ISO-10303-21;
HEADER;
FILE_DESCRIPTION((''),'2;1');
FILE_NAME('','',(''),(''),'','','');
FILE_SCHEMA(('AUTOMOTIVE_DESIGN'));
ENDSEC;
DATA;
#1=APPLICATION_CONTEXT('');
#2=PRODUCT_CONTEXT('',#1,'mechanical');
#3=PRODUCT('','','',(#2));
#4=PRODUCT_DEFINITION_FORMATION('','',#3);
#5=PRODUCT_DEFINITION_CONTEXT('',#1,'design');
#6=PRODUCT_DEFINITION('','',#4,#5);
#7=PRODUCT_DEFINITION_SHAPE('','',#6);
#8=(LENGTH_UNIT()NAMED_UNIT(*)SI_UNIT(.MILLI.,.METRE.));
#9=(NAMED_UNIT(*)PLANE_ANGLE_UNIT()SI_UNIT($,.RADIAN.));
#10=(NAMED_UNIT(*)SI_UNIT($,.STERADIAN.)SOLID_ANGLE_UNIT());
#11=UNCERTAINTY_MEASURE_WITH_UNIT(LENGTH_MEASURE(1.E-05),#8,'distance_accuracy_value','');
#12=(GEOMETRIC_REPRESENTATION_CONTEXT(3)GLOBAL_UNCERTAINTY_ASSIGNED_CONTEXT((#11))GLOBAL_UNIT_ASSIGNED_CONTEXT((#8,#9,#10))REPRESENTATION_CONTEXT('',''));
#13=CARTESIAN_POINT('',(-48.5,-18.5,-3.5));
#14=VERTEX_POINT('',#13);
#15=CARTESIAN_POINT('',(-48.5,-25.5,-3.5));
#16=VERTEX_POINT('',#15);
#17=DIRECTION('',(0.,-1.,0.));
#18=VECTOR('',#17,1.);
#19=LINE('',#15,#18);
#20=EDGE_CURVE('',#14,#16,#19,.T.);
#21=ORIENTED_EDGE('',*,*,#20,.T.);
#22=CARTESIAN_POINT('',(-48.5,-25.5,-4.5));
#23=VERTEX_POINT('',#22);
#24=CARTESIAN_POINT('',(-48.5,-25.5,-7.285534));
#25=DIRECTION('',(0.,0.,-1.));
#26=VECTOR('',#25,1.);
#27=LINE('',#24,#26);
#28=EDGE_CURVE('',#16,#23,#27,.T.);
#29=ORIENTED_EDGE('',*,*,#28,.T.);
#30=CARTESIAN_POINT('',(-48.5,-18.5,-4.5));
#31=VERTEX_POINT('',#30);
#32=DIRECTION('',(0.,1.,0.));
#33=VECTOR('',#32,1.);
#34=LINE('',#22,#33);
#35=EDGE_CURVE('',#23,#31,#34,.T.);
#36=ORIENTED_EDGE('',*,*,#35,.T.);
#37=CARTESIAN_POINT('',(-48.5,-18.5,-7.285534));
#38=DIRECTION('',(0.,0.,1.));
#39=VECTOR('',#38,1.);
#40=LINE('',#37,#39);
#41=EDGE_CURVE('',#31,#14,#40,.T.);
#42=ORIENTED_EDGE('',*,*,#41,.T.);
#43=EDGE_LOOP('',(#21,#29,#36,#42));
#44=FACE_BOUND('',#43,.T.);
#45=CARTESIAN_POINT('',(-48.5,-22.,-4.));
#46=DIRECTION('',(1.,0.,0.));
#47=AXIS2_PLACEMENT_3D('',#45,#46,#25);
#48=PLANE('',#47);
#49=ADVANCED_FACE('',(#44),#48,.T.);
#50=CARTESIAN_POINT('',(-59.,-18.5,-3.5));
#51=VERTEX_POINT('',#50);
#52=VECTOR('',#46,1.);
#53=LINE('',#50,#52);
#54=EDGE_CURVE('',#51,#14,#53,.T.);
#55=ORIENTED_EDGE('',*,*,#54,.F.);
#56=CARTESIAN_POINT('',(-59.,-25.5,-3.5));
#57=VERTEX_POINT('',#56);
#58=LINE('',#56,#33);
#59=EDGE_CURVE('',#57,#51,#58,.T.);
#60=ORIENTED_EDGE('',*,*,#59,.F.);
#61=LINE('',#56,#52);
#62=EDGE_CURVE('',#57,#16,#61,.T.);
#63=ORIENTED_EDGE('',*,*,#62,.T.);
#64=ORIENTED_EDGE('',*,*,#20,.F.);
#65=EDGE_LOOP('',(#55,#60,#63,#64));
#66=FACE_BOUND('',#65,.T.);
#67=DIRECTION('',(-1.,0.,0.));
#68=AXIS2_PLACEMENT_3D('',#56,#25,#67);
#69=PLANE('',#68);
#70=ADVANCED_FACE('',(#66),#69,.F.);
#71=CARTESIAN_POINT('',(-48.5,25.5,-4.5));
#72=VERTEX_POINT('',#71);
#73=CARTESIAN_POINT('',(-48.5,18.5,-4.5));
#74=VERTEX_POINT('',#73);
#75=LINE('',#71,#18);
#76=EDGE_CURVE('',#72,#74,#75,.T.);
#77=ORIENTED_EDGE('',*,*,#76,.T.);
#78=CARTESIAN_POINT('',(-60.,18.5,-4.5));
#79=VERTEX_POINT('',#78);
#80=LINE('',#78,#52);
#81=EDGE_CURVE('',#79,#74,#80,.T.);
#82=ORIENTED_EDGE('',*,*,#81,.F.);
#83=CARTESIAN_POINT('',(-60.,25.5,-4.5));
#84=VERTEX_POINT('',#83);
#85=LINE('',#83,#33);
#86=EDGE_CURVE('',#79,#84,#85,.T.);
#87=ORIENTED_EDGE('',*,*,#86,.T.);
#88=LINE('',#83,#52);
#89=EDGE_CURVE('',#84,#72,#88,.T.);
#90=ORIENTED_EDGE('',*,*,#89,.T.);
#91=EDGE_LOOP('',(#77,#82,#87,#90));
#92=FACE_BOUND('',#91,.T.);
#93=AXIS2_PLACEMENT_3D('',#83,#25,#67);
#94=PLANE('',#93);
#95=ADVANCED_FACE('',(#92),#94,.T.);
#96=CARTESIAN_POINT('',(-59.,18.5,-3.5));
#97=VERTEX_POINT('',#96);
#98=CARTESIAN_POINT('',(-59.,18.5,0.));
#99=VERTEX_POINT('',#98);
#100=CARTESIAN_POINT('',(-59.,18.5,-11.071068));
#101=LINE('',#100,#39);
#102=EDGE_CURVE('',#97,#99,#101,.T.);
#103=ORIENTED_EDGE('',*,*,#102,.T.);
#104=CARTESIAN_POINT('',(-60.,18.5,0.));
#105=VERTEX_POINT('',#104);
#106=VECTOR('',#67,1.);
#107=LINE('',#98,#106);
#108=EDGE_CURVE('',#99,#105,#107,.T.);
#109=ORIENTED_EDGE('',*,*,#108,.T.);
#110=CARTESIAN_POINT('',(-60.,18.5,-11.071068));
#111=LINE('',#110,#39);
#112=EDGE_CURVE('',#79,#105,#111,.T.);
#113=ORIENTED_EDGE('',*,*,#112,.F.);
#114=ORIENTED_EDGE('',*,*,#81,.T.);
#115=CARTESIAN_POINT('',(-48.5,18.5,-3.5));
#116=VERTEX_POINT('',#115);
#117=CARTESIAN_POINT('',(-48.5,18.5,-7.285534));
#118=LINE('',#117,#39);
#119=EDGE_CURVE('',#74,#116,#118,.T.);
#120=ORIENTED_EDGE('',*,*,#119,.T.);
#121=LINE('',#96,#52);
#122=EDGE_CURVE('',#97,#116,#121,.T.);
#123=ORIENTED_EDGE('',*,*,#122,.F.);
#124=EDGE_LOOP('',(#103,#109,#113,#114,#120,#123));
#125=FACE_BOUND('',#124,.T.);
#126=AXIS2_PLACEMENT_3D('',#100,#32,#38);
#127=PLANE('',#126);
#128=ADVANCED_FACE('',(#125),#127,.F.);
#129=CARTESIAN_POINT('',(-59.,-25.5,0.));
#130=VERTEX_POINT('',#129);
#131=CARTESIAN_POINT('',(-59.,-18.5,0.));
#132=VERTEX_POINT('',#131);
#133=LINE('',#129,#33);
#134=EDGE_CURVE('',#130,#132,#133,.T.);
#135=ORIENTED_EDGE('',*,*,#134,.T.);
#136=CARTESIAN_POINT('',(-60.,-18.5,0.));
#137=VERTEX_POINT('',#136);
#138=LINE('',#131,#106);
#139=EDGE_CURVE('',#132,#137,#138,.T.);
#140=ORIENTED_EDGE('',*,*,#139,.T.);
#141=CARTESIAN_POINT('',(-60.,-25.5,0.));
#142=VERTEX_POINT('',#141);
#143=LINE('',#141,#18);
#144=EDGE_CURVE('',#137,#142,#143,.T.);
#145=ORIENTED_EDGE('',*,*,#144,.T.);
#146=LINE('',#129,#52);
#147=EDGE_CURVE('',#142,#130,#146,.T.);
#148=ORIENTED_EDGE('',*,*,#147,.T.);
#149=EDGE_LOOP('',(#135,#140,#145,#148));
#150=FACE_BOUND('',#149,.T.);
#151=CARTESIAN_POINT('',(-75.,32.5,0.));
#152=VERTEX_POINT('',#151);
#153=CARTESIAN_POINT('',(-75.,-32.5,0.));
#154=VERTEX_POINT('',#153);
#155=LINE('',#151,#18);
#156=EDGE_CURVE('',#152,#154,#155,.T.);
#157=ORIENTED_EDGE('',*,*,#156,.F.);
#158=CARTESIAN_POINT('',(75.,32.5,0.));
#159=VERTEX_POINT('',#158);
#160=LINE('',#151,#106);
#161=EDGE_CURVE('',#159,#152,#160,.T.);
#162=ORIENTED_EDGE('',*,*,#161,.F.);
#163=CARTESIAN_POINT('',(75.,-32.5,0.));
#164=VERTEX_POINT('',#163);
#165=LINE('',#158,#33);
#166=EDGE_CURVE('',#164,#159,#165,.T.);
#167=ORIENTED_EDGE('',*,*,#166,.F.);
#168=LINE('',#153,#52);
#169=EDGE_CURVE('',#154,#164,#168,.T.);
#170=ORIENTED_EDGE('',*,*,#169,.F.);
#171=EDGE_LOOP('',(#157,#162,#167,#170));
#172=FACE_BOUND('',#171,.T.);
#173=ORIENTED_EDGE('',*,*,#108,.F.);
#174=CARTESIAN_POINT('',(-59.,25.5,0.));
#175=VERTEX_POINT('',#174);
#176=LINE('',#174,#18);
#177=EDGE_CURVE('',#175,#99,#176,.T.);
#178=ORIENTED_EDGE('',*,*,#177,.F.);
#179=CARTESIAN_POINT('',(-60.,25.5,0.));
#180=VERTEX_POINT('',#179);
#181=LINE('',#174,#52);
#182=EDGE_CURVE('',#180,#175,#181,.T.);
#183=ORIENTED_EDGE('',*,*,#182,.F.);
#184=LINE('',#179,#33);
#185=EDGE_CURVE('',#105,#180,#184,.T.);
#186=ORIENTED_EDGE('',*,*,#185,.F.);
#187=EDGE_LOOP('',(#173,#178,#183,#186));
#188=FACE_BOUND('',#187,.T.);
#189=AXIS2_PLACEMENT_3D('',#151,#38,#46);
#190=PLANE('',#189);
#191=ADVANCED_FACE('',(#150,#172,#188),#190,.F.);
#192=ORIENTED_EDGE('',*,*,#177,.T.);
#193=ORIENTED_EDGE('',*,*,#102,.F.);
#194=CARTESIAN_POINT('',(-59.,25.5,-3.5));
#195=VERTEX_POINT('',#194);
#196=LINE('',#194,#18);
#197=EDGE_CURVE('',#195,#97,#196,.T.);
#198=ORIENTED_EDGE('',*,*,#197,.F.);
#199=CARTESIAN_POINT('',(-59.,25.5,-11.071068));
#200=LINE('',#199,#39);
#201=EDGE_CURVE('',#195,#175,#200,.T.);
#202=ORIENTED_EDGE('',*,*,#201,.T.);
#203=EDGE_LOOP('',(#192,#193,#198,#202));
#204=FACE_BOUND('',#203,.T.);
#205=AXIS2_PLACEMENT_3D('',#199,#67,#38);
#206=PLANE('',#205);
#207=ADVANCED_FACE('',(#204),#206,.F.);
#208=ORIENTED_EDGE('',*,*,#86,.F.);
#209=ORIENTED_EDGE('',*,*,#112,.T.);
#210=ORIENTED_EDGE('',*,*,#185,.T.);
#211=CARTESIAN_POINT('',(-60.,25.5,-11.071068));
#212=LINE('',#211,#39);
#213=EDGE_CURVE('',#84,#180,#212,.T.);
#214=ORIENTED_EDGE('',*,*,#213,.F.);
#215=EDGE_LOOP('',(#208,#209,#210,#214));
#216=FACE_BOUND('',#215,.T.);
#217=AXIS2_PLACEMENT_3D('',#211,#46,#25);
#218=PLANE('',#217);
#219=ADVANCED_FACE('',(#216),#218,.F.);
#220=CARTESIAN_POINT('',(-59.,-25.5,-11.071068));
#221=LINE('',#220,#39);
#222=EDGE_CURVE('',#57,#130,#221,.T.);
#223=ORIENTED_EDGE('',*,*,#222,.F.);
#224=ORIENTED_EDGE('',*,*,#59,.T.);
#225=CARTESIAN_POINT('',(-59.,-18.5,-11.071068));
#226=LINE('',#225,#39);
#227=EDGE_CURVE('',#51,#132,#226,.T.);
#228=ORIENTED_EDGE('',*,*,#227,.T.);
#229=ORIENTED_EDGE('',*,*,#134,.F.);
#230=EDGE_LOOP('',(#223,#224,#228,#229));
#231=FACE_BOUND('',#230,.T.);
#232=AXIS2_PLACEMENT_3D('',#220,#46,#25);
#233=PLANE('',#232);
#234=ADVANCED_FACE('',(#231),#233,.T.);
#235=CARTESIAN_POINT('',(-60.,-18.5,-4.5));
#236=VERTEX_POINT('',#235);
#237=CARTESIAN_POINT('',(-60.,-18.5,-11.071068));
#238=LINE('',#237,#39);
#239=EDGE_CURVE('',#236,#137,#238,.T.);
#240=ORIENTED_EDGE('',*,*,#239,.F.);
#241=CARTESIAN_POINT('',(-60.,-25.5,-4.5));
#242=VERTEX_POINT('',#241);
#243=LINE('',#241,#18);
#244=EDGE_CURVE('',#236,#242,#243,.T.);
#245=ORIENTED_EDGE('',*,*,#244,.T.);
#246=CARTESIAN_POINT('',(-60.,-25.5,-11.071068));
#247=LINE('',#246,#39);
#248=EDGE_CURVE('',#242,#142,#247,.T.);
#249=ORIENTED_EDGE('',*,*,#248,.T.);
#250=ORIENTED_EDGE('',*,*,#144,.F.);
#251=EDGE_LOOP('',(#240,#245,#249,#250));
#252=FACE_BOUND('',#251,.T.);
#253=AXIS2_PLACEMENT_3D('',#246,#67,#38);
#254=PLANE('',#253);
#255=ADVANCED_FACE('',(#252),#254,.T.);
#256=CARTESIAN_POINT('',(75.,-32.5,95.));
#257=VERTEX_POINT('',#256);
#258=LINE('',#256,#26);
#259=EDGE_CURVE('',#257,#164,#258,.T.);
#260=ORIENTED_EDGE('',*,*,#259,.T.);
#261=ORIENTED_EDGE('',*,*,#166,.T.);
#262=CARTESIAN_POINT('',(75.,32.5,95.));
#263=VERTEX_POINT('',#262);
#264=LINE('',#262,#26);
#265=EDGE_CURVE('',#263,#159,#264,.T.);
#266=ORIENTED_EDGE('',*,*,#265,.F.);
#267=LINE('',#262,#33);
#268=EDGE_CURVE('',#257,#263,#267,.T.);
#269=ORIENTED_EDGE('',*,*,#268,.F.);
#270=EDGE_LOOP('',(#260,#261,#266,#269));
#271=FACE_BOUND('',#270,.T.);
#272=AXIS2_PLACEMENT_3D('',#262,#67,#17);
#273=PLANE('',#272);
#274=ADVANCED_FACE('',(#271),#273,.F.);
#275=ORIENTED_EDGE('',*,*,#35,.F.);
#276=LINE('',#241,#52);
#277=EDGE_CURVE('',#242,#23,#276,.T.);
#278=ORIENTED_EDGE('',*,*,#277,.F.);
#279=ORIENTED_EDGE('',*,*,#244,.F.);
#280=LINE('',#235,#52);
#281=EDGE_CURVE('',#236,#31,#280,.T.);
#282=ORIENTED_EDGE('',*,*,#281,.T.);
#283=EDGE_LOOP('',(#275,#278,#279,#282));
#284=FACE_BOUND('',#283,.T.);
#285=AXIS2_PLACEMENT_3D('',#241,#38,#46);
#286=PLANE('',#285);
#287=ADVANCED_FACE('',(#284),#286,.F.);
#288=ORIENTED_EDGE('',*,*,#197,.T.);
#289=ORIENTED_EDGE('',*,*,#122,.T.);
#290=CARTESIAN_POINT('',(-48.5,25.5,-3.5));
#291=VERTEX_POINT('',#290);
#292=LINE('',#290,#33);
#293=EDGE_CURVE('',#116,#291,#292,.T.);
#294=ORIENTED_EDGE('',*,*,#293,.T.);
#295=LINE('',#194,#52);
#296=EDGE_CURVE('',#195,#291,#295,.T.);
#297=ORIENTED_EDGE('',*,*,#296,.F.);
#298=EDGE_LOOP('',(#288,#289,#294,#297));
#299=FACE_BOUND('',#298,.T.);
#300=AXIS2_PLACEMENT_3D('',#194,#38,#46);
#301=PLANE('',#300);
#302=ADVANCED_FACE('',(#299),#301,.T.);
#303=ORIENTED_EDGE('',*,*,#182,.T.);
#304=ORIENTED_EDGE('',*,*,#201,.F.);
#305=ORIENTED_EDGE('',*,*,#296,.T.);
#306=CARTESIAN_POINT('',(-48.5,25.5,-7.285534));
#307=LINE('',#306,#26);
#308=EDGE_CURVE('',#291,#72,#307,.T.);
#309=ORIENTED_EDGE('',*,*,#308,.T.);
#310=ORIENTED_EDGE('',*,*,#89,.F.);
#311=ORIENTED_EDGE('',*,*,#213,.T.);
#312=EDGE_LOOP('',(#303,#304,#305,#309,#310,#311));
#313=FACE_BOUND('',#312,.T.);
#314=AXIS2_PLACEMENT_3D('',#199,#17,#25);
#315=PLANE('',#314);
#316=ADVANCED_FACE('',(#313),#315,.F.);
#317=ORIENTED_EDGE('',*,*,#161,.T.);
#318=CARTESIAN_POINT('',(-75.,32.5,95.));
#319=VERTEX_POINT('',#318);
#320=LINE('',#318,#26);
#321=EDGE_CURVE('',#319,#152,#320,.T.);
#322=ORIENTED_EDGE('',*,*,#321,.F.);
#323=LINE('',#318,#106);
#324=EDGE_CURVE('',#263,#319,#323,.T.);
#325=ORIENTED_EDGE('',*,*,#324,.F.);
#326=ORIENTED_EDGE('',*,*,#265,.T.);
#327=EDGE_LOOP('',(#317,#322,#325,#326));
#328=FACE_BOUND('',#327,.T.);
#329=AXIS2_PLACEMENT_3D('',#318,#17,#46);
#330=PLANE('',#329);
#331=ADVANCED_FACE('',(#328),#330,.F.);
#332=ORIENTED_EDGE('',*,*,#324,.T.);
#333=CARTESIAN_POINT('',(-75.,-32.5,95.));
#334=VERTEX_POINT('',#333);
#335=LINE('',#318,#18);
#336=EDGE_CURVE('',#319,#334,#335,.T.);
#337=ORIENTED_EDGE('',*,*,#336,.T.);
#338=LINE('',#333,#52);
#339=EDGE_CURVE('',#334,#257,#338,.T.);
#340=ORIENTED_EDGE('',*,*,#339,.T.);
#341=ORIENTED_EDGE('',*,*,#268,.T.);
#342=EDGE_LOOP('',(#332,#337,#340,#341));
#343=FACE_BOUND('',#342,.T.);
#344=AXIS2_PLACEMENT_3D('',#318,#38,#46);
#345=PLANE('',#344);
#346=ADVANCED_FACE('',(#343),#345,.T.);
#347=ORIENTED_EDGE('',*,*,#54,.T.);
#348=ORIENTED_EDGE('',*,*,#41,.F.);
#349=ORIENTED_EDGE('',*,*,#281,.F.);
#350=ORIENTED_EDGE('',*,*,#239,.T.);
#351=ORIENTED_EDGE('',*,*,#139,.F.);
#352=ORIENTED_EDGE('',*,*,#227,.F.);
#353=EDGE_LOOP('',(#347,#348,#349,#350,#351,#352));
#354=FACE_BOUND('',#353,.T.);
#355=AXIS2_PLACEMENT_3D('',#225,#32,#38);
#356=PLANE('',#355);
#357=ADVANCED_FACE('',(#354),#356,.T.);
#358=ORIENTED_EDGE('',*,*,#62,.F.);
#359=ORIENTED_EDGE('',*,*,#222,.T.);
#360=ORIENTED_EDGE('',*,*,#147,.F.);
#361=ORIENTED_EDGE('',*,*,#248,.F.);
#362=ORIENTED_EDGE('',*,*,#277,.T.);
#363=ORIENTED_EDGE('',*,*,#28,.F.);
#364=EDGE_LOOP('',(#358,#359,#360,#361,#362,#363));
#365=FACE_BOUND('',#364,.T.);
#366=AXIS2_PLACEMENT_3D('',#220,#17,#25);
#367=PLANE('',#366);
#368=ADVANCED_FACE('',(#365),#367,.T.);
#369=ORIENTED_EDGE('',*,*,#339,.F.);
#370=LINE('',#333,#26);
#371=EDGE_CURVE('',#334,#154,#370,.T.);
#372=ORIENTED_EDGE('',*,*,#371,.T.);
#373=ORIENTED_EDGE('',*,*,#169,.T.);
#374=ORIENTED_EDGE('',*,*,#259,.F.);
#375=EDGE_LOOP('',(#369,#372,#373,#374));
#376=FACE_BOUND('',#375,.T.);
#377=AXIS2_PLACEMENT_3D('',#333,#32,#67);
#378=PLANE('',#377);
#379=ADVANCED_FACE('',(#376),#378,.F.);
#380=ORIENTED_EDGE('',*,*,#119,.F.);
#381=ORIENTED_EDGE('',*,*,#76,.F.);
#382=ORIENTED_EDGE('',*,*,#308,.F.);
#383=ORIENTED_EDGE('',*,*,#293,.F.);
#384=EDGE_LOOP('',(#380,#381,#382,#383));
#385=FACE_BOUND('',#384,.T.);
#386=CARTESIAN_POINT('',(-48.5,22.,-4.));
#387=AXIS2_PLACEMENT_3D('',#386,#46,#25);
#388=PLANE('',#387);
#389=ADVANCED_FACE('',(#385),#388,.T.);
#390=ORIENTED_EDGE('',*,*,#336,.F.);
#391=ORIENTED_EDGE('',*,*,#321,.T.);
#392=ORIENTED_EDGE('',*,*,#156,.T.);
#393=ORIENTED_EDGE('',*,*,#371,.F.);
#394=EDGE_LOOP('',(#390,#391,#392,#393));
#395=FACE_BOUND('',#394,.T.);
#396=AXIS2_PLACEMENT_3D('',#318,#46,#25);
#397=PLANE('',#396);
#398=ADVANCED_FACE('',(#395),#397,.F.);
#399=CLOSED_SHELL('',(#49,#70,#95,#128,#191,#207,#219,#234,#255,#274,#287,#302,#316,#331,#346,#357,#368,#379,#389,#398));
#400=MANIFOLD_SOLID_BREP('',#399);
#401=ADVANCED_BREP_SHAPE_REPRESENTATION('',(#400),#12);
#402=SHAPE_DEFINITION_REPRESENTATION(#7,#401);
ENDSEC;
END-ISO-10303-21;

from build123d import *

# Parameters (mm, degrees)
SKETCH_1_W      = 150
SKETCH_1_H      = 65
EXTRUDE_1_DEPTH = 95
SKETCH_2_W      = 1
SKETCH_2_H      = 7


with BuildPart() as part:
    # 草图1 → 拉伸1 (new body)
    with BuildSketch(Plane.XY):
        Rectangle(SKETCH_1_W, SKETCH_1_H)
    extrude(amount=EXTRUDE_1_DEPTH)

    # 扫描1: sweep along a path in 草图3
    with BuildLine(Plane(origin=(0, 19, 0), x_dir=(-1, 0, 0), z_dir=(0, 1, 0))) as sweep_1_path:
        Line((59.5, 0), (59.5, -4))
        Line((59.5, -4), (48.5, -4))
    # 草图2 → 扫描1 (sweep)
    with BuildSketch(Plane(origin=(0, 0, 0), x_dir=(-1, 0, 0), z_dir=(0, 0, -1))):
        with Locations((59.5, 22)):
            Rectangle(SKETCH_2_W, SKETCH_2_H)
    sweep_1 = sweep(path=sweep_1_path.line, transition=Transition.RIGHT)

    # 镜向1: 扫描1 across plane
    add(sweep_1.mirror(Plane.ZX))


solid = part.part
